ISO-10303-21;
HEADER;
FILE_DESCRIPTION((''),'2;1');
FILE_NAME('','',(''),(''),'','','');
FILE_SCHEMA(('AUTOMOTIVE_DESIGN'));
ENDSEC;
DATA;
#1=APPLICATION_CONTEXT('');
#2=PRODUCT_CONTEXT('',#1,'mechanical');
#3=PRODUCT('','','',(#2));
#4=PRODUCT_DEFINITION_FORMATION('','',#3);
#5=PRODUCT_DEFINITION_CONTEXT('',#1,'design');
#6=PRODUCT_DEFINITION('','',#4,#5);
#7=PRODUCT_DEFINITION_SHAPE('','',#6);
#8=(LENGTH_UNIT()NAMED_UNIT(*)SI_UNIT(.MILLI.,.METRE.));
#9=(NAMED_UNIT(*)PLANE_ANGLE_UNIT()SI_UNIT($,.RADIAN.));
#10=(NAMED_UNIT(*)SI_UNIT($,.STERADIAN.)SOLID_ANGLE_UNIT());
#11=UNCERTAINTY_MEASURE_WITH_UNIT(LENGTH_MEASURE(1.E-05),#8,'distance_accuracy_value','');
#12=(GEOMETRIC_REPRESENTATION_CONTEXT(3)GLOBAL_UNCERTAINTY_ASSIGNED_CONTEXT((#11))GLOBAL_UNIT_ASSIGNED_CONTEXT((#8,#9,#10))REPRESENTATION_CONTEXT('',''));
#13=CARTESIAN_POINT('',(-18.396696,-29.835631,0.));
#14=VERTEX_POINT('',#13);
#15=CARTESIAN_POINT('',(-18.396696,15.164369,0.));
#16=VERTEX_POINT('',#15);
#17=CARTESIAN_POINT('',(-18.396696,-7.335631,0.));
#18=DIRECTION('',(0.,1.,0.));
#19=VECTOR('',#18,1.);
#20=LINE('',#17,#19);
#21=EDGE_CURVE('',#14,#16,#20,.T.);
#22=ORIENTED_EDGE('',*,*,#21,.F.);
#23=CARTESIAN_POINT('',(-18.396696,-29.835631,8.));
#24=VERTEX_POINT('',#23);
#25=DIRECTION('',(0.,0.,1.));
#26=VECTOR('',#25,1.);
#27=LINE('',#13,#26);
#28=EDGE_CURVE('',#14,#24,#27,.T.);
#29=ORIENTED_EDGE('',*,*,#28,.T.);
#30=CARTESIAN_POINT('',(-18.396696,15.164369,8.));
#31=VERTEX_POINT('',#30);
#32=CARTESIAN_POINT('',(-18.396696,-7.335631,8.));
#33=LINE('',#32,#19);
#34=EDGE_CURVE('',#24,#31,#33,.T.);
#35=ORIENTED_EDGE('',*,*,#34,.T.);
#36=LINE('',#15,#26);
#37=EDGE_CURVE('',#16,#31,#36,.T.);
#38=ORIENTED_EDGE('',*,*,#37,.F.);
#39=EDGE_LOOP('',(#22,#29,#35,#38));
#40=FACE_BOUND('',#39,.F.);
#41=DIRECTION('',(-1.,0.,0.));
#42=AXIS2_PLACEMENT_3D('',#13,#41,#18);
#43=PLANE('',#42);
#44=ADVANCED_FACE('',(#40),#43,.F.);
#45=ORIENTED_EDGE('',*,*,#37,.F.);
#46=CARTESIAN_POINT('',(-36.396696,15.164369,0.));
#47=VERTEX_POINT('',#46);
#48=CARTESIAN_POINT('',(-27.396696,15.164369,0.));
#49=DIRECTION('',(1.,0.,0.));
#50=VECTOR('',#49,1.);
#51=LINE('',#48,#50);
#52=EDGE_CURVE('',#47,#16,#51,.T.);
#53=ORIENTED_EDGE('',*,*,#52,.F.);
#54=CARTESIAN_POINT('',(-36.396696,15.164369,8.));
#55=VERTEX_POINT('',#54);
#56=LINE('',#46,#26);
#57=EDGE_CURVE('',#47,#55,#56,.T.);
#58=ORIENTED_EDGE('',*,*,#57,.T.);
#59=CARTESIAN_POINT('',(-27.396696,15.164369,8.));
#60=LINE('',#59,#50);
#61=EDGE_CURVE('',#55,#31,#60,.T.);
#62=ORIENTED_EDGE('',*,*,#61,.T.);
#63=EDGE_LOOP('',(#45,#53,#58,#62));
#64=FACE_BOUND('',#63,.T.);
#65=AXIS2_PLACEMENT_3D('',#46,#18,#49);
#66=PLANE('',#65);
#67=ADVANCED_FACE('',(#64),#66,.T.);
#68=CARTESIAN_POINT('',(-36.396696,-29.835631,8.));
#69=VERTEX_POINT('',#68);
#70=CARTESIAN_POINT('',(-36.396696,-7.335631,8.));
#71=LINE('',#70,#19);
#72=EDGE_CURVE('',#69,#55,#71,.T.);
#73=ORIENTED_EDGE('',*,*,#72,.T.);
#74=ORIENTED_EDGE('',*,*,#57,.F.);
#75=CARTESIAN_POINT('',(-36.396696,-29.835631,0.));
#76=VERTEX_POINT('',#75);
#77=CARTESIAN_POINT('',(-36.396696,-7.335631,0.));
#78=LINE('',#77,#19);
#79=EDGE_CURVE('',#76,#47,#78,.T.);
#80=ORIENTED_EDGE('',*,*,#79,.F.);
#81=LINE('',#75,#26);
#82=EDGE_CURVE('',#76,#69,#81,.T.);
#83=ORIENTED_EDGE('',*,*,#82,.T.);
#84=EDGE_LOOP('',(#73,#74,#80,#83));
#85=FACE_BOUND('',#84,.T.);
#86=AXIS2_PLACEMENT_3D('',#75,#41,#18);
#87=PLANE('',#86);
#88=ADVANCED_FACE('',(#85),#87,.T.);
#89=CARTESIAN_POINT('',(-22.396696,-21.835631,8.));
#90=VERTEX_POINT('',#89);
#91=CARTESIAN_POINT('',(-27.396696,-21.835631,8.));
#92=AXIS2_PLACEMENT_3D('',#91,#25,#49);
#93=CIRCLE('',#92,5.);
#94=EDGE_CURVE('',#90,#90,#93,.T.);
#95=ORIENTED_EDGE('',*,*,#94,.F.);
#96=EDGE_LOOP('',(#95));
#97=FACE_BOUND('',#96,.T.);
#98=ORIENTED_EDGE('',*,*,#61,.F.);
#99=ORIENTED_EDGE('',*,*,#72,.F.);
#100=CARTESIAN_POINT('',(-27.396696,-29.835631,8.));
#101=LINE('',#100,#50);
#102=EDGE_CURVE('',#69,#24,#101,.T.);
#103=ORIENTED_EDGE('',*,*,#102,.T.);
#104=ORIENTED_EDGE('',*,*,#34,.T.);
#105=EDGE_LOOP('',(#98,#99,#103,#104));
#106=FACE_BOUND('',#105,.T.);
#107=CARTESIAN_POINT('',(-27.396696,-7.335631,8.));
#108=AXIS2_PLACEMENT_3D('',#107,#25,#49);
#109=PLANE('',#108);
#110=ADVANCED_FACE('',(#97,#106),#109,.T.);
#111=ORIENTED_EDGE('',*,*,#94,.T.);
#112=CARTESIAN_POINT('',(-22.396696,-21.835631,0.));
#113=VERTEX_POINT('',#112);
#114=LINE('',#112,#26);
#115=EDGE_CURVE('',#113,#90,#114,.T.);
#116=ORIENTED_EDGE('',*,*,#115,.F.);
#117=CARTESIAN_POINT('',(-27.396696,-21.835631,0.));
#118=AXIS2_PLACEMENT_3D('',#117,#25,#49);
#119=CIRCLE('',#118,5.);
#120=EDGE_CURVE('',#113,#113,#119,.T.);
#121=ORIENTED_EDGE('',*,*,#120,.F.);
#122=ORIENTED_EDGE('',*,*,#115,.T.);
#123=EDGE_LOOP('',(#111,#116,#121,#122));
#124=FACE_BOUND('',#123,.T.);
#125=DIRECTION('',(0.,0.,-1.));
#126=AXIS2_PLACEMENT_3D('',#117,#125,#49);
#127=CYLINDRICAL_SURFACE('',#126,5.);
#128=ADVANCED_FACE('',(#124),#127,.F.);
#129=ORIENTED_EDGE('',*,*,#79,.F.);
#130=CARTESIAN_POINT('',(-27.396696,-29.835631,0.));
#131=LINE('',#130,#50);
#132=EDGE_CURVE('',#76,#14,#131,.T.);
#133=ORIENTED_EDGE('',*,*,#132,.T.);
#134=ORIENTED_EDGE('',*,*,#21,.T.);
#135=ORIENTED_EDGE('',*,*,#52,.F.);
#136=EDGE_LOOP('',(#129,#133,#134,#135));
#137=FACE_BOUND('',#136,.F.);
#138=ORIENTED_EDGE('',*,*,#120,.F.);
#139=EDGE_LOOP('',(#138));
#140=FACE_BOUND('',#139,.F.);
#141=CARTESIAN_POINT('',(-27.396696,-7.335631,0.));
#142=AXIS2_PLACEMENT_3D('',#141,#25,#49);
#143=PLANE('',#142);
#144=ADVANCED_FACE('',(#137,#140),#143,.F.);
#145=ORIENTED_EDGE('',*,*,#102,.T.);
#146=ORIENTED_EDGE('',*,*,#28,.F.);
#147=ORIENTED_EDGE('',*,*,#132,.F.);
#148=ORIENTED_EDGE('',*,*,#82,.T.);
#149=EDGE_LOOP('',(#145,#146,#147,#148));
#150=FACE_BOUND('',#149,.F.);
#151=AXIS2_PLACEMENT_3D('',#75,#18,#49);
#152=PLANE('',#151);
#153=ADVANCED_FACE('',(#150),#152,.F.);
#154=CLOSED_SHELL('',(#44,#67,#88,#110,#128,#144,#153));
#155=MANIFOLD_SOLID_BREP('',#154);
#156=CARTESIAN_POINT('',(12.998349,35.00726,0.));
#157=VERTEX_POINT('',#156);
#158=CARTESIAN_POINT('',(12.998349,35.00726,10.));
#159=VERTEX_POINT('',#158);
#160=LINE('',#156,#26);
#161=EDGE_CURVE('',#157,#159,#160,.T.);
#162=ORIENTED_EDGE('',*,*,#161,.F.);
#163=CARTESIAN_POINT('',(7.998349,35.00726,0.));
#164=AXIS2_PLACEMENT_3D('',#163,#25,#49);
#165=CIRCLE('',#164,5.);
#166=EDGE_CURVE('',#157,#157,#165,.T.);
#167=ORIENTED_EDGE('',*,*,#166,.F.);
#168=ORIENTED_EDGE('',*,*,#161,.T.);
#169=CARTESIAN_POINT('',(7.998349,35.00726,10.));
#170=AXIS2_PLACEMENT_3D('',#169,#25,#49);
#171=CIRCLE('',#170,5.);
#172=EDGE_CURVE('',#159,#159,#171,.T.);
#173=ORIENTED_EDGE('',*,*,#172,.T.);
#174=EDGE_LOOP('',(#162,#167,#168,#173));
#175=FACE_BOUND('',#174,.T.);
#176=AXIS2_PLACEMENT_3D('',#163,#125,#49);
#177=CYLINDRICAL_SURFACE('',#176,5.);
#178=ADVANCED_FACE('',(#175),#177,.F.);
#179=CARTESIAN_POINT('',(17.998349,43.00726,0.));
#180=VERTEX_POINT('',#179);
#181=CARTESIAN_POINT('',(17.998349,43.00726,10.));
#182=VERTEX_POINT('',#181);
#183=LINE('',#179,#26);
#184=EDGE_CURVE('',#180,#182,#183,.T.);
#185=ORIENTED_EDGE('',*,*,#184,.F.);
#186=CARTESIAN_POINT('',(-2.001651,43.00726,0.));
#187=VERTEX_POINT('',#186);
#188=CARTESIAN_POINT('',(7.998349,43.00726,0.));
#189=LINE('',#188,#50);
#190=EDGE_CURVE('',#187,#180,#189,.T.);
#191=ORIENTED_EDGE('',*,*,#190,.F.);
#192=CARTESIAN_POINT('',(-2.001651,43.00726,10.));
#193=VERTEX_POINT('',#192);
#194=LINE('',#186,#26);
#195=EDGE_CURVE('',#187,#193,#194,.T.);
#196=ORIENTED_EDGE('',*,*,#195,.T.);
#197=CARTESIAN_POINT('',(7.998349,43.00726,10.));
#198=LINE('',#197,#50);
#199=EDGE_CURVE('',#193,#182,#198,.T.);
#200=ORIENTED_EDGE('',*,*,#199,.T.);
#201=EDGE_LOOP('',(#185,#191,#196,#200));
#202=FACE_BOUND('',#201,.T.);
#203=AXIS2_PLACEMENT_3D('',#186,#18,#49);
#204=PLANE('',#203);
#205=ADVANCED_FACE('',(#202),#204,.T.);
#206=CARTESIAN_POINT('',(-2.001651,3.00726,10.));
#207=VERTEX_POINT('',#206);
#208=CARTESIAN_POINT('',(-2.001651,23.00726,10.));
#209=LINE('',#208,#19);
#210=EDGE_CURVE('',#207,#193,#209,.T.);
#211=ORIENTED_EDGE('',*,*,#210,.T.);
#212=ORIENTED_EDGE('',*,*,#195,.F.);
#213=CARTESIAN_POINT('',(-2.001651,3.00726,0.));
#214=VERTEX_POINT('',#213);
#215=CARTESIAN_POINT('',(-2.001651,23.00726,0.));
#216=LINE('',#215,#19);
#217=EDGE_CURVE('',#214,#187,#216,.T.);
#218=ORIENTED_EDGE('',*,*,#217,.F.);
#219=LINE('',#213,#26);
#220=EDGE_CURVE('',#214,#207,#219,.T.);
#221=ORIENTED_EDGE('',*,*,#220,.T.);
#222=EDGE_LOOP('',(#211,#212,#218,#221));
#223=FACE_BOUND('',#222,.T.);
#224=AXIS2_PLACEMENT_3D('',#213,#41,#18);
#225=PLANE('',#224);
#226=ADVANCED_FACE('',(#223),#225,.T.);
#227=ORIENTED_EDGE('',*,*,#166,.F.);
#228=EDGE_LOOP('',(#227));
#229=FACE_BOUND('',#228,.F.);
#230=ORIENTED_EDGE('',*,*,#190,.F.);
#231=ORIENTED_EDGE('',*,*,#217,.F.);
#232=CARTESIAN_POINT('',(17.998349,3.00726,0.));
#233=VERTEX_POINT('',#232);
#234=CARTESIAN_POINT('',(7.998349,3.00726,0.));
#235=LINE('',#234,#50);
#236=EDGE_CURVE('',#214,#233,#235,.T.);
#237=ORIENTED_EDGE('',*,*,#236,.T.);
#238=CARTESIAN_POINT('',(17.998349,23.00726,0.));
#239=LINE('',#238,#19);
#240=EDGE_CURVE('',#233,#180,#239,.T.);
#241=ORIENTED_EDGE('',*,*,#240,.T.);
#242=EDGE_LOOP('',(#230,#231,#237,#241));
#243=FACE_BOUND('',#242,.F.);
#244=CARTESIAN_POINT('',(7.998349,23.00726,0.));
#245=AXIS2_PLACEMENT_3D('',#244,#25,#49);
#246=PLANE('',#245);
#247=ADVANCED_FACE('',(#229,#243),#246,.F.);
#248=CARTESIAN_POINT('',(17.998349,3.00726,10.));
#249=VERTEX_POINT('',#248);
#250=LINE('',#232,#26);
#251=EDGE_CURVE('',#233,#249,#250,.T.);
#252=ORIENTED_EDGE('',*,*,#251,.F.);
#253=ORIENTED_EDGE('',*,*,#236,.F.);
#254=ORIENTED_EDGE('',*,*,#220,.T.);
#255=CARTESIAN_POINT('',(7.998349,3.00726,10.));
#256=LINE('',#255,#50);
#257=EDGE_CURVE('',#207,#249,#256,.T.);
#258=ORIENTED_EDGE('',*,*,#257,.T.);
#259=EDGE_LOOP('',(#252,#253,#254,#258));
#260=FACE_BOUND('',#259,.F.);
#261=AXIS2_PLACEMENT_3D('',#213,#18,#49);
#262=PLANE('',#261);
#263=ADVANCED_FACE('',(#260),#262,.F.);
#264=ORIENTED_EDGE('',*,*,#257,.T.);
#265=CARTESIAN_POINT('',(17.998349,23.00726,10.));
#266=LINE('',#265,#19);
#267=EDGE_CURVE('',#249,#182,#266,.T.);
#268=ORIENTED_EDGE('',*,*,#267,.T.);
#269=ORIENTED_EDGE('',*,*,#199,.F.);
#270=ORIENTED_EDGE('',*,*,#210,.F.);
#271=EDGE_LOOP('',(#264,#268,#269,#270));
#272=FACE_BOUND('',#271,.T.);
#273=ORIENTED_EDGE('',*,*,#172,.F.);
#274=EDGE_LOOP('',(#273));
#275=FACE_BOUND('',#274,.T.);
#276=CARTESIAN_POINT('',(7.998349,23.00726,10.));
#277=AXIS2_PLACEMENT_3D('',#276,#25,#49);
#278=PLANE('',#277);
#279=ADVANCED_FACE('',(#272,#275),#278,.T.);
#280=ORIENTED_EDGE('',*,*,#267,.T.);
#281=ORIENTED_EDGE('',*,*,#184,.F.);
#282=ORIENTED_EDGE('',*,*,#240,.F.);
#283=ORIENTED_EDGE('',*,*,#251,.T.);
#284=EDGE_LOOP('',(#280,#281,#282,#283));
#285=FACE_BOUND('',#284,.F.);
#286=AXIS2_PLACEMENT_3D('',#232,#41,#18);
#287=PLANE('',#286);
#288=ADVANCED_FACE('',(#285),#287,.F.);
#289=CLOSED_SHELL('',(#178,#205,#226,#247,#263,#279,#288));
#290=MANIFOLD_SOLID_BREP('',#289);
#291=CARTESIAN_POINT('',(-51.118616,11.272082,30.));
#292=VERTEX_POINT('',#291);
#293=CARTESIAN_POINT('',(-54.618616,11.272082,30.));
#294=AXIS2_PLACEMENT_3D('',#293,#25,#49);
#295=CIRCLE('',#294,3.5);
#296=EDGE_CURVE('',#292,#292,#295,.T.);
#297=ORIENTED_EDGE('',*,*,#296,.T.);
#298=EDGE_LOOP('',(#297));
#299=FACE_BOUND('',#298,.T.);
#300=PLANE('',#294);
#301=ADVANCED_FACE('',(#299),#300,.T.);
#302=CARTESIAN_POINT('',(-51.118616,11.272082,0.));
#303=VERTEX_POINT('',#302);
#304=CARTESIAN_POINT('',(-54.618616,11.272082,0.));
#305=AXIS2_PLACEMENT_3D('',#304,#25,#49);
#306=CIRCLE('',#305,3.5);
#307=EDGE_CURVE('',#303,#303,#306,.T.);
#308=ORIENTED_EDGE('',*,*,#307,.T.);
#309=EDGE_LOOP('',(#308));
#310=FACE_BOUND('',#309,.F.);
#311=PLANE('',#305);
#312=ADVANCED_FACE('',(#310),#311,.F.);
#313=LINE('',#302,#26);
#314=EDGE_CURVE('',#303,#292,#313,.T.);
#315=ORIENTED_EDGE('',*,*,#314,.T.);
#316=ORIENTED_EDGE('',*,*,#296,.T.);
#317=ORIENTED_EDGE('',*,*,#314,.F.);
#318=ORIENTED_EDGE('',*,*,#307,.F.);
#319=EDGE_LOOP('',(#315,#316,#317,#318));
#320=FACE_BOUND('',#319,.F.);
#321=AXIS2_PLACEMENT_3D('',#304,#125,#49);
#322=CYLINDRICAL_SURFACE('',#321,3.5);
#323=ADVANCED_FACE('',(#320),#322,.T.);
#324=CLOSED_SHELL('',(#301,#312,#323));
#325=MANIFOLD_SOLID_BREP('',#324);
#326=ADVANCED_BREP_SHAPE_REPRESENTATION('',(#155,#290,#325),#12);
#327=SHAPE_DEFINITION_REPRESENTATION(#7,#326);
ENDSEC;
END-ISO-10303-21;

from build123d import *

# Parameters (mm, degrees)
F0_W     = 20
F0_H     = 40
F0_R     = 5
F1_DEPTH = 10
F2_R     = 3.5
F3_DEPTH = 30
F4_W     = 18
F4_H     = 45
F4_R     = 5
F5_DEPTH = 8


with BuildPart() as f1:
    # F0 (on Top) → F1 (new body)
    with BuildSketch(Plane.XY):
        with Locations((7.998349, 23.00726)):
            Rectangle(F0_W, F0_H)
        with Locations((7.998349, 35.00726)):
            Circle(F0_R, mode=Mode.SUBTRACT)
    extrude(amount=F1_DEPTH)


with BuildPart() as f3:
    # F2 (on Top) → F3 (new body)
    with BuildSketch(Plane.XY):
        with Locations((-54.618616, 11.272082)):
            Circle(F2_R)
    extrude(amount=F3_DEPTH)


with BuildPart() as f5:
    # F4 (on Top) → F5 (new body)
    with BuildSketch(Plane.XY):
        with Locations((-27.396696, -7.335631)):
            Rectangle(F4_W, F4_H)
        with Locations((-27.396696, -21.835631)):
            Circle(F4_R, mode=Mode.SUBTRACT)
    extrude(amount=F5_DEPTH)


solid = Compound([f1.part, f3.part, f5.part])
